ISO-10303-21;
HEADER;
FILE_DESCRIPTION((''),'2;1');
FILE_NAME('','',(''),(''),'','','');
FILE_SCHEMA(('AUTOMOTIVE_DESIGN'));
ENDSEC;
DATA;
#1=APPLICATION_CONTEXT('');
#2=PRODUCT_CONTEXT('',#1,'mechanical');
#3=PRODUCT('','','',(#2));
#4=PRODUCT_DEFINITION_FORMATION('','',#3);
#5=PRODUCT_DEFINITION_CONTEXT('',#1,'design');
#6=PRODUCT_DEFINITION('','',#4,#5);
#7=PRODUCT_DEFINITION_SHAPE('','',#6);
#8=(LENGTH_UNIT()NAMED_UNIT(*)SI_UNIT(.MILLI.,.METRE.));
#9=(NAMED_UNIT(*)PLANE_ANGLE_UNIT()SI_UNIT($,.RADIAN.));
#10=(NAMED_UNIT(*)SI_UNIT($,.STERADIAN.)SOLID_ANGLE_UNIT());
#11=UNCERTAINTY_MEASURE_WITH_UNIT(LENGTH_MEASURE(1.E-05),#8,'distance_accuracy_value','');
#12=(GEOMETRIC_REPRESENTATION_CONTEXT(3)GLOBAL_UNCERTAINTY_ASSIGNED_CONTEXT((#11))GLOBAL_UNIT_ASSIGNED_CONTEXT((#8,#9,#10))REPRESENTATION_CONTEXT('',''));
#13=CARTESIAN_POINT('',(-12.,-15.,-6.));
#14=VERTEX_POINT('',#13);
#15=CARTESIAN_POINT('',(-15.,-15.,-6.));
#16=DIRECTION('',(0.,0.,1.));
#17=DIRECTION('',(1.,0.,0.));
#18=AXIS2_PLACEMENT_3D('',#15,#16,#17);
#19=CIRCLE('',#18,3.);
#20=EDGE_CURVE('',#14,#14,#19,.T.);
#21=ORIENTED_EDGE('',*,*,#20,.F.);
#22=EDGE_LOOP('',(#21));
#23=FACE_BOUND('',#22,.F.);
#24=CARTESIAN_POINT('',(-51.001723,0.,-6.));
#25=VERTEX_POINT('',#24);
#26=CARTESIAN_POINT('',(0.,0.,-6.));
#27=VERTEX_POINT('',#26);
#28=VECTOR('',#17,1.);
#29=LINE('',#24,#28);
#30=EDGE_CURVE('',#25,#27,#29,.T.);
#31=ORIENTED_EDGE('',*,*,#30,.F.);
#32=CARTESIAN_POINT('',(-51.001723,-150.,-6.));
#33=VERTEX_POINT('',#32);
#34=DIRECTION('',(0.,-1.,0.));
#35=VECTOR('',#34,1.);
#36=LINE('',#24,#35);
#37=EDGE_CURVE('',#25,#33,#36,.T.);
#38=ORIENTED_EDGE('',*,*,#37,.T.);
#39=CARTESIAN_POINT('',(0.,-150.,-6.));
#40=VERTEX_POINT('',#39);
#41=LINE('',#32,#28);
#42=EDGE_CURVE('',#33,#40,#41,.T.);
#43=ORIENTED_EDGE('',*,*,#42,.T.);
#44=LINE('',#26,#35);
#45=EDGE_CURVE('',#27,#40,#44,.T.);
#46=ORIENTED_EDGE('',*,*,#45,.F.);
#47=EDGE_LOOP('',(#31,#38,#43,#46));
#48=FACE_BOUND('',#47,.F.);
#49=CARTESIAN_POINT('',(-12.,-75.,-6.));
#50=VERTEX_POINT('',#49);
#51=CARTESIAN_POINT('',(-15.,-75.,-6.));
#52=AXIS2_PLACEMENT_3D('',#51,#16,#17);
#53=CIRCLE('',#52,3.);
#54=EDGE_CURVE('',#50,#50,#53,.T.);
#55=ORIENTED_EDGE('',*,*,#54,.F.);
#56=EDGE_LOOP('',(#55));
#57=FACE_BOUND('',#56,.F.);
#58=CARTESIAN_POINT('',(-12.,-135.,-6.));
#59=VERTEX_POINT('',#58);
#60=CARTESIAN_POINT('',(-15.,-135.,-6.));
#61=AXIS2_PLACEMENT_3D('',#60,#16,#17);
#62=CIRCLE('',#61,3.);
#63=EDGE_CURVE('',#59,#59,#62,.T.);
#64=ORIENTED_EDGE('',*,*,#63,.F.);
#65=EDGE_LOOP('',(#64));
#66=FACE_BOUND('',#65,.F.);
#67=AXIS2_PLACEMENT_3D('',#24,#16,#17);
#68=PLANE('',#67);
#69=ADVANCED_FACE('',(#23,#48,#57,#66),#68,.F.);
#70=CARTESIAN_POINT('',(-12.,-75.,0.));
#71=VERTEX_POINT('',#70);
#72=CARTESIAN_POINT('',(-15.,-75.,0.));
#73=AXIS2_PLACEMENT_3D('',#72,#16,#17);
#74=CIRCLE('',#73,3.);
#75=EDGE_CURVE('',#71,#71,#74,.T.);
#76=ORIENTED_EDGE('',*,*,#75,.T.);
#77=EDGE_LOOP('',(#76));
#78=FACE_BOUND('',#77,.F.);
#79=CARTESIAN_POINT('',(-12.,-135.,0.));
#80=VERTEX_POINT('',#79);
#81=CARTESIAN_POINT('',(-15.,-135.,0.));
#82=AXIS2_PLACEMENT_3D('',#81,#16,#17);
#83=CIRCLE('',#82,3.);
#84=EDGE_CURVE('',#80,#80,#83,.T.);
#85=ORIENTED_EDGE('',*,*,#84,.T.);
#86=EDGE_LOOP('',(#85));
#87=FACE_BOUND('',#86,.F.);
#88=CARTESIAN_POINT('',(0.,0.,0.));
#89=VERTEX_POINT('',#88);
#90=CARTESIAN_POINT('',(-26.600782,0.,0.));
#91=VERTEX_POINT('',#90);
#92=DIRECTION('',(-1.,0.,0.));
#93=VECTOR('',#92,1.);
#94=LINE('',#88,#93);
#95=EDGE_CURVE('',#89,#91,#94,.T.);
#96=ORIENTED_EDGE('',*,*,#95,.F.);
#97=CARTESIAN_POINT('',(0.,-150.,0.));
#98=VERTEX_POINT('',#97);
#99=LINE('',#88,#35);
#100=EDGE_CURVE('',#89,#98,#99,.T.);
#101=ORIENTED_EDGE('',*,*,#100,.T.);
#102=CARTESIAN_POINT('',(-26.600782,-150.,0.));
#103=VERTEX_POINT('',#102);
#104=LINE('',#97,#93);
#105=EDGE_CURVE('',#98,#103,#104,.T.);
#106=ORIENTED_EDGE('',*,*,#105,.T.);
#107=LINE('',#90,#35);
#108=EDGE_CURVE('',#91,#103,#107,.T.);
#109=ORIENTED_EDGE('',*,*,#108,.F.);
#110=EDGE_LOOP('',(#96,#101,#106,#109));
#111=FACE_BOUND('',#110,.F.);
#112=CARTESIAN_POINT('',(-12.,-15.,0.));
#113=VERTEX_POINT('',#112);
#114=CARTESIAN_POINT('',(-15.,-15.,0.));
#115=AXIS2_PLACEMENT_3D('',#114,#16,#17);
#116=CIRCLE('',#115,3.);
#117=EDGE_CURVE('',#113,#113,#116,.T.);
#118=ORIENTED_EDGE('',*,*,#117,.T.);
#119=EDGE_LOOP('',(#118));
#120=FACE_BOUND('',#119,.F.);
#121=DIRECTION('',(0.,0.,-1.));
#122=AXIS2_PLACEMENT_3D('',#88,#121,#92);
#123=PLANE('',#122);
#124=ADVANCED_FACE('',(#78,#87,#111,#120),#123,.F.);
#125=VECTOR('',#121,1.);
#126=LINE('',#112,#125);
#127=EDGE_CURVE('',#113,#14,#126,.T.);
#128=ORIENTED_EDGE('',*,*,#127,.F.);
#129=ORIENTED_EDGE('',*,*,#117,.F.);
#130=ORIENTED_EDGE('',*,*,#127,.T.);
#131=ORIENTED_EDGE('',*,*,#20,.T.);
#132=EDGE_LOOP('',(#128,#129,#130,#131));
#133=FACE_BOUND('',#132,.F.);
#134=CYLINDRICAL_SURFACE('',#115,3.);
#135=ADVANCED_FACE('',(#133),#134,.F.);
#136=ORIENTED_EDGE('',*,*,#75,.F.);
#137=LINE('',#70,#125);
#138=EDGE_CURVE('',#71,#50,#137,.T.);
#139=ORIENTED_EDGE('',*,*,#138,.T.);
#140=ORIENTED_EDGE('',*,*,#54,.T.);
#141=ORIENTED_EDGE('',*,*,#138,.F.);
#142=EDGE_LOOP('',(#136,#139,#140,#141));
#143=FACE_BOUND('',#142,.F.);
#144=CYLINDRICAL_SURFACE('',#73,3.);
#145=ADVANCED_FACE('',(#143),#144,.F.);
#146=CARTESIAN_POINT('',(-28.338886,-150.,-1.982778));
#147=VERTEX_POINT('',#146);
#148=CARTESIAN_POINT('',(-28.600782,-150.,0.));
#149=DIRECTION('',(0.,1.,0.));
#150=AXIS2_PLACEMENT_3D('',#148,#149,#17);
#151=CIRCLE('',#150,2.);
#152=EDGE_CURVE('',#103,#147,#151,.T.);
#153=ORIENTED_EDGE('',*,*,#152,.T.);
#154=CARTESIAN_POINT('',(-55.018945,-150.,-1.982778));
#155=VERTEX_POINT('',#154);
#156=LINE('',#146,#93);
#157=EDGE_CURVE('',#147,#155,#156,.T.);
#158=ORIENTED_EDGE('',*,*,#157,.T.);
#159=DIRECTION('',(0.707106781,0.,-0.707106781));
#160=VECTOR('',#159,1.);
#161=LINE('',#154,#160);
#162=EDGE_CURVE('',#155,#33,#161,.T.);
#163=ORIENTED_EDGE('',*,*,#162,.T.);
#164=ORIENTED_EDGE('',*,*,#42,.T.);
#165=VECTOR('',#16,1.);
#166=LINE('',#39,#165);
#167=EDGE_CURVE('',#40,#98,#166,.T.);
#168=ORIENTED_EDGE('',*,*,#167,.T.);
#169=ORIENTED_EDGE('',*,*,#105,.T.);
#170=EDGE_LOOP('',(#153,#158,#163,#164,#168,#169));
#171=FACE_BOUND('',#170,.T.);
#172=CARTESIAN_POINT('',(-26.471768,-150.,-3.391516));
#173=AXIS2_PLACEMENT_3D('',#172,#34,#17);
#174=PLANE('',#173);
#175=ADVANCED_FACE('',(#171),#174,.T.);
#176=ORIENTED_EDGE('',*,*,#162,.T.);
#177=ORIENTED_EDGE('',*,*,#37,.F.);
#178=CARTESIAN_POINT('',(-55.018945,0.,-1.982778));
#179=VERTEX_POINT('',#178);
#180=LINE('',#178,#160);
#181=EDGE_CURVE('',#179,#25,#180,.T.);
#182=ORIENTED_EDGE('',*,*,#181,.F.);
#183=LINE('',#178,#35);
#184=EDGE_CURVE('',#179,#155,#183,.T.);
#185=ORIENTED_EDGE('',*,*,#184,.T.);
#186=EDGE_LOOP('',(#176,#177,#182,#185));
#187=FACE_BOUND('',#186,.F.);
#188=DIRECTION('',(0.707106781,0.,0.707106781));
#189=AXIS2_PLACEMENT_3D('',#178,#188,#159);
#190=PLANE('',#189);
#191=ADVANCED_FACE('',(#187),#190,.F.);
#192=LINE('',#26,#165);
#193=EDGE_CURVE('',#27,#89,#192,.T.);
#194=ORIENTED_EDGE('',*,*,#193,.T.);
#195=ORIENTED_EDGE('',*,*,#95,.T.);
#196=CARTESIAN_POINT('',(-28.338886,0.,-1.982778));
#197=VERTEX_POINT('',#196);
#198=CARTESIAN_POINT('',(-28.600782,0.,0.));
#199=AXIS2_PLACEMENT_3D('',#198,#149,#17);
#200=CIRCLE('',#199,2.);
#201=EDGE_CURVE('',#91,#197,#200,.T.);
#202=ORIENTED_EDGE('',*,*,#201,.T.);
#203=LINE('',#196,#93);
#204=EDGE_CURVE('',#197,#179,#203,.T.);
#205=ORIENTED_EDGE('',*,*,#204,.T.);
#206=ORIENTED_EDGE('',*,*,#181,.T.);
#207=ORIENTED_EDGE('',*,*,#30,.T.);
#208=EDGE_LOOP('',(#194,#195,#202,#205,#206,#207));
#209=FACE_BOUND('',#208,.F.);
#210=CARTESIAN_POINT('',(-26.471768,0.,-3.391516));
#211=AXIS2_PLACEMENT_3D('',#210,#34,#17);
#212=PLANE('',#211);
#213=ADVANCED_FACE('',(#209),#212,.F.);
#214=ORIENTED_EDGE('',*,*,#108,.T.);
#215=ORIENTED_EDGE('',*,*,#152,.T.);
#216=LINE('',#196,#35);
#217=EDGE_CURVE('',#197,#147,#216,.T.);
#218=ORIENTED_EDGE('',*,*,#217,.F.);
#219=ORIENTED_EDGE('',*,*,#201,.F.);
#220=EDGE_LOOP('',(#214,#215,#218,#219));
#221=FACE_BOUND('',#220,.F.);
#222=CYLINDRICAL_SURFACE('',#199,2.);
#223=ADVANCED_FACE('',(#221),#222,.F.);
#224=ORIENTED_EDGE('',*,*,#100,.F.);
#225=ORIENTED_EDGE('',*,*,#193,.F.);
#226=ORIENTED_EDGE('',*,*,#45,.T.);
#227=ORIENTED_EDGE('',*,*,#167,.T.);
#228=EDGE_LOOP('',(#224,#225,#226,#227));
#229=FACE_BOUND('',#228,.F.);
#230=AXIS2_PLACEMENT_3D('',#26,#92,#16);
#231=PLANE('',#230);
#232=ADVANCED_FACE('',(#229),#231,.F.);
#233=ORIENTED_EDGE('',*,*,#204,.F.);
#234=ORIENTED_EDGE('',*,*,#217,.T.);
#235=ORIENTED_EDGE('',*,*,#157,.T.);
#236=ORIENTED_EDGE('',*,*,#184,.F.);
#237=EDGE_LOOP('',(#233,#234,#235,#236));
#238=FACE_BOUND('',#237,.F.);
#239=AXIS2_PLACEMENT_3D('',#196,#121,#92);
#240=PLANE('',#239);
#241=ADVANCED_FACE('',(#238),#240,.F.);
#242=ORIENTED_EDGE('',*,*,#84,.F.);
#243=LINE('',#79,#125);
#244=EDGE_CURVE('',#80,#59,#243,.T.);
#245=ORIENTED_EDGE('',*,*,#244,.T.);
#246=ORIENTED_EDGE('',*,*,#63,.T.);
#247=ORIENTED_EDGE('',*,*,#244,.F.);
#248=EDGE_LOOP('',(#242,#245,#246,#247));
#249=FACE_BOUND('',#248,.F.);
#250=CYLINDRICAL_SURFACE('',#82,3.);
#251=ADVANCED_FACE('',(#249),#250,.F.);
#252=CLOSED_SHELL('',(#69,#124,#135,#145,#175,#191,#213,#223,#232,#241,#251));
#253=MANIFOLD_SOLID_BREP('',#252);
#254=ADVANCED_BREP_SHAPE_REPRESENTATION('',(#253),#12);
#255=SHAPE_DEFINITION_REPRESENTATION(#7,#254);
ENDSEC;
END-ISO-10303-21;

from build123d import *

# Parameters (mm, degrees)
F1_DEPTH = 150
F3_R     = 3
F4_DEPTH = 25


with BuildPart() as f1:
    # F0 (on Front) → F1 (new body)
    with BuildSketch(Plane.XZ):
        with BuildLine():
            Line((0, -6), (0, 0))
            Line((0, 0), (-26.600782156, 0))
            ThreePointArc((-26.600782156, 0), (-27.0968220332, -1.3183717037), (-28.338886105, -1.9827784693))
            Line((-28.338886105, -1.9827784693), (-55.0189449519, -1.9827784693))
            Line((-55.0189449519, -1.9827784693), (-51.0017234212, -6))
            Line((-51.0017234212, -6), (0, -6))
        make_face()
    extrude(amount=F1_DEPTH)

    # F3 (on offset) → F4 (cut)
    with BuildSketch(Plane.XY):
        with Locations((-15, -15)):
            Circle(F3_R)
        with Locations((-15, -135)):
            Circle(F3_R)
        with Locations((-15, -75)):
            Circle(F3_R)
    extrude(amount=-F4_DEPTH, mode=Mode.SUBTRACT)


solid = f1.part
